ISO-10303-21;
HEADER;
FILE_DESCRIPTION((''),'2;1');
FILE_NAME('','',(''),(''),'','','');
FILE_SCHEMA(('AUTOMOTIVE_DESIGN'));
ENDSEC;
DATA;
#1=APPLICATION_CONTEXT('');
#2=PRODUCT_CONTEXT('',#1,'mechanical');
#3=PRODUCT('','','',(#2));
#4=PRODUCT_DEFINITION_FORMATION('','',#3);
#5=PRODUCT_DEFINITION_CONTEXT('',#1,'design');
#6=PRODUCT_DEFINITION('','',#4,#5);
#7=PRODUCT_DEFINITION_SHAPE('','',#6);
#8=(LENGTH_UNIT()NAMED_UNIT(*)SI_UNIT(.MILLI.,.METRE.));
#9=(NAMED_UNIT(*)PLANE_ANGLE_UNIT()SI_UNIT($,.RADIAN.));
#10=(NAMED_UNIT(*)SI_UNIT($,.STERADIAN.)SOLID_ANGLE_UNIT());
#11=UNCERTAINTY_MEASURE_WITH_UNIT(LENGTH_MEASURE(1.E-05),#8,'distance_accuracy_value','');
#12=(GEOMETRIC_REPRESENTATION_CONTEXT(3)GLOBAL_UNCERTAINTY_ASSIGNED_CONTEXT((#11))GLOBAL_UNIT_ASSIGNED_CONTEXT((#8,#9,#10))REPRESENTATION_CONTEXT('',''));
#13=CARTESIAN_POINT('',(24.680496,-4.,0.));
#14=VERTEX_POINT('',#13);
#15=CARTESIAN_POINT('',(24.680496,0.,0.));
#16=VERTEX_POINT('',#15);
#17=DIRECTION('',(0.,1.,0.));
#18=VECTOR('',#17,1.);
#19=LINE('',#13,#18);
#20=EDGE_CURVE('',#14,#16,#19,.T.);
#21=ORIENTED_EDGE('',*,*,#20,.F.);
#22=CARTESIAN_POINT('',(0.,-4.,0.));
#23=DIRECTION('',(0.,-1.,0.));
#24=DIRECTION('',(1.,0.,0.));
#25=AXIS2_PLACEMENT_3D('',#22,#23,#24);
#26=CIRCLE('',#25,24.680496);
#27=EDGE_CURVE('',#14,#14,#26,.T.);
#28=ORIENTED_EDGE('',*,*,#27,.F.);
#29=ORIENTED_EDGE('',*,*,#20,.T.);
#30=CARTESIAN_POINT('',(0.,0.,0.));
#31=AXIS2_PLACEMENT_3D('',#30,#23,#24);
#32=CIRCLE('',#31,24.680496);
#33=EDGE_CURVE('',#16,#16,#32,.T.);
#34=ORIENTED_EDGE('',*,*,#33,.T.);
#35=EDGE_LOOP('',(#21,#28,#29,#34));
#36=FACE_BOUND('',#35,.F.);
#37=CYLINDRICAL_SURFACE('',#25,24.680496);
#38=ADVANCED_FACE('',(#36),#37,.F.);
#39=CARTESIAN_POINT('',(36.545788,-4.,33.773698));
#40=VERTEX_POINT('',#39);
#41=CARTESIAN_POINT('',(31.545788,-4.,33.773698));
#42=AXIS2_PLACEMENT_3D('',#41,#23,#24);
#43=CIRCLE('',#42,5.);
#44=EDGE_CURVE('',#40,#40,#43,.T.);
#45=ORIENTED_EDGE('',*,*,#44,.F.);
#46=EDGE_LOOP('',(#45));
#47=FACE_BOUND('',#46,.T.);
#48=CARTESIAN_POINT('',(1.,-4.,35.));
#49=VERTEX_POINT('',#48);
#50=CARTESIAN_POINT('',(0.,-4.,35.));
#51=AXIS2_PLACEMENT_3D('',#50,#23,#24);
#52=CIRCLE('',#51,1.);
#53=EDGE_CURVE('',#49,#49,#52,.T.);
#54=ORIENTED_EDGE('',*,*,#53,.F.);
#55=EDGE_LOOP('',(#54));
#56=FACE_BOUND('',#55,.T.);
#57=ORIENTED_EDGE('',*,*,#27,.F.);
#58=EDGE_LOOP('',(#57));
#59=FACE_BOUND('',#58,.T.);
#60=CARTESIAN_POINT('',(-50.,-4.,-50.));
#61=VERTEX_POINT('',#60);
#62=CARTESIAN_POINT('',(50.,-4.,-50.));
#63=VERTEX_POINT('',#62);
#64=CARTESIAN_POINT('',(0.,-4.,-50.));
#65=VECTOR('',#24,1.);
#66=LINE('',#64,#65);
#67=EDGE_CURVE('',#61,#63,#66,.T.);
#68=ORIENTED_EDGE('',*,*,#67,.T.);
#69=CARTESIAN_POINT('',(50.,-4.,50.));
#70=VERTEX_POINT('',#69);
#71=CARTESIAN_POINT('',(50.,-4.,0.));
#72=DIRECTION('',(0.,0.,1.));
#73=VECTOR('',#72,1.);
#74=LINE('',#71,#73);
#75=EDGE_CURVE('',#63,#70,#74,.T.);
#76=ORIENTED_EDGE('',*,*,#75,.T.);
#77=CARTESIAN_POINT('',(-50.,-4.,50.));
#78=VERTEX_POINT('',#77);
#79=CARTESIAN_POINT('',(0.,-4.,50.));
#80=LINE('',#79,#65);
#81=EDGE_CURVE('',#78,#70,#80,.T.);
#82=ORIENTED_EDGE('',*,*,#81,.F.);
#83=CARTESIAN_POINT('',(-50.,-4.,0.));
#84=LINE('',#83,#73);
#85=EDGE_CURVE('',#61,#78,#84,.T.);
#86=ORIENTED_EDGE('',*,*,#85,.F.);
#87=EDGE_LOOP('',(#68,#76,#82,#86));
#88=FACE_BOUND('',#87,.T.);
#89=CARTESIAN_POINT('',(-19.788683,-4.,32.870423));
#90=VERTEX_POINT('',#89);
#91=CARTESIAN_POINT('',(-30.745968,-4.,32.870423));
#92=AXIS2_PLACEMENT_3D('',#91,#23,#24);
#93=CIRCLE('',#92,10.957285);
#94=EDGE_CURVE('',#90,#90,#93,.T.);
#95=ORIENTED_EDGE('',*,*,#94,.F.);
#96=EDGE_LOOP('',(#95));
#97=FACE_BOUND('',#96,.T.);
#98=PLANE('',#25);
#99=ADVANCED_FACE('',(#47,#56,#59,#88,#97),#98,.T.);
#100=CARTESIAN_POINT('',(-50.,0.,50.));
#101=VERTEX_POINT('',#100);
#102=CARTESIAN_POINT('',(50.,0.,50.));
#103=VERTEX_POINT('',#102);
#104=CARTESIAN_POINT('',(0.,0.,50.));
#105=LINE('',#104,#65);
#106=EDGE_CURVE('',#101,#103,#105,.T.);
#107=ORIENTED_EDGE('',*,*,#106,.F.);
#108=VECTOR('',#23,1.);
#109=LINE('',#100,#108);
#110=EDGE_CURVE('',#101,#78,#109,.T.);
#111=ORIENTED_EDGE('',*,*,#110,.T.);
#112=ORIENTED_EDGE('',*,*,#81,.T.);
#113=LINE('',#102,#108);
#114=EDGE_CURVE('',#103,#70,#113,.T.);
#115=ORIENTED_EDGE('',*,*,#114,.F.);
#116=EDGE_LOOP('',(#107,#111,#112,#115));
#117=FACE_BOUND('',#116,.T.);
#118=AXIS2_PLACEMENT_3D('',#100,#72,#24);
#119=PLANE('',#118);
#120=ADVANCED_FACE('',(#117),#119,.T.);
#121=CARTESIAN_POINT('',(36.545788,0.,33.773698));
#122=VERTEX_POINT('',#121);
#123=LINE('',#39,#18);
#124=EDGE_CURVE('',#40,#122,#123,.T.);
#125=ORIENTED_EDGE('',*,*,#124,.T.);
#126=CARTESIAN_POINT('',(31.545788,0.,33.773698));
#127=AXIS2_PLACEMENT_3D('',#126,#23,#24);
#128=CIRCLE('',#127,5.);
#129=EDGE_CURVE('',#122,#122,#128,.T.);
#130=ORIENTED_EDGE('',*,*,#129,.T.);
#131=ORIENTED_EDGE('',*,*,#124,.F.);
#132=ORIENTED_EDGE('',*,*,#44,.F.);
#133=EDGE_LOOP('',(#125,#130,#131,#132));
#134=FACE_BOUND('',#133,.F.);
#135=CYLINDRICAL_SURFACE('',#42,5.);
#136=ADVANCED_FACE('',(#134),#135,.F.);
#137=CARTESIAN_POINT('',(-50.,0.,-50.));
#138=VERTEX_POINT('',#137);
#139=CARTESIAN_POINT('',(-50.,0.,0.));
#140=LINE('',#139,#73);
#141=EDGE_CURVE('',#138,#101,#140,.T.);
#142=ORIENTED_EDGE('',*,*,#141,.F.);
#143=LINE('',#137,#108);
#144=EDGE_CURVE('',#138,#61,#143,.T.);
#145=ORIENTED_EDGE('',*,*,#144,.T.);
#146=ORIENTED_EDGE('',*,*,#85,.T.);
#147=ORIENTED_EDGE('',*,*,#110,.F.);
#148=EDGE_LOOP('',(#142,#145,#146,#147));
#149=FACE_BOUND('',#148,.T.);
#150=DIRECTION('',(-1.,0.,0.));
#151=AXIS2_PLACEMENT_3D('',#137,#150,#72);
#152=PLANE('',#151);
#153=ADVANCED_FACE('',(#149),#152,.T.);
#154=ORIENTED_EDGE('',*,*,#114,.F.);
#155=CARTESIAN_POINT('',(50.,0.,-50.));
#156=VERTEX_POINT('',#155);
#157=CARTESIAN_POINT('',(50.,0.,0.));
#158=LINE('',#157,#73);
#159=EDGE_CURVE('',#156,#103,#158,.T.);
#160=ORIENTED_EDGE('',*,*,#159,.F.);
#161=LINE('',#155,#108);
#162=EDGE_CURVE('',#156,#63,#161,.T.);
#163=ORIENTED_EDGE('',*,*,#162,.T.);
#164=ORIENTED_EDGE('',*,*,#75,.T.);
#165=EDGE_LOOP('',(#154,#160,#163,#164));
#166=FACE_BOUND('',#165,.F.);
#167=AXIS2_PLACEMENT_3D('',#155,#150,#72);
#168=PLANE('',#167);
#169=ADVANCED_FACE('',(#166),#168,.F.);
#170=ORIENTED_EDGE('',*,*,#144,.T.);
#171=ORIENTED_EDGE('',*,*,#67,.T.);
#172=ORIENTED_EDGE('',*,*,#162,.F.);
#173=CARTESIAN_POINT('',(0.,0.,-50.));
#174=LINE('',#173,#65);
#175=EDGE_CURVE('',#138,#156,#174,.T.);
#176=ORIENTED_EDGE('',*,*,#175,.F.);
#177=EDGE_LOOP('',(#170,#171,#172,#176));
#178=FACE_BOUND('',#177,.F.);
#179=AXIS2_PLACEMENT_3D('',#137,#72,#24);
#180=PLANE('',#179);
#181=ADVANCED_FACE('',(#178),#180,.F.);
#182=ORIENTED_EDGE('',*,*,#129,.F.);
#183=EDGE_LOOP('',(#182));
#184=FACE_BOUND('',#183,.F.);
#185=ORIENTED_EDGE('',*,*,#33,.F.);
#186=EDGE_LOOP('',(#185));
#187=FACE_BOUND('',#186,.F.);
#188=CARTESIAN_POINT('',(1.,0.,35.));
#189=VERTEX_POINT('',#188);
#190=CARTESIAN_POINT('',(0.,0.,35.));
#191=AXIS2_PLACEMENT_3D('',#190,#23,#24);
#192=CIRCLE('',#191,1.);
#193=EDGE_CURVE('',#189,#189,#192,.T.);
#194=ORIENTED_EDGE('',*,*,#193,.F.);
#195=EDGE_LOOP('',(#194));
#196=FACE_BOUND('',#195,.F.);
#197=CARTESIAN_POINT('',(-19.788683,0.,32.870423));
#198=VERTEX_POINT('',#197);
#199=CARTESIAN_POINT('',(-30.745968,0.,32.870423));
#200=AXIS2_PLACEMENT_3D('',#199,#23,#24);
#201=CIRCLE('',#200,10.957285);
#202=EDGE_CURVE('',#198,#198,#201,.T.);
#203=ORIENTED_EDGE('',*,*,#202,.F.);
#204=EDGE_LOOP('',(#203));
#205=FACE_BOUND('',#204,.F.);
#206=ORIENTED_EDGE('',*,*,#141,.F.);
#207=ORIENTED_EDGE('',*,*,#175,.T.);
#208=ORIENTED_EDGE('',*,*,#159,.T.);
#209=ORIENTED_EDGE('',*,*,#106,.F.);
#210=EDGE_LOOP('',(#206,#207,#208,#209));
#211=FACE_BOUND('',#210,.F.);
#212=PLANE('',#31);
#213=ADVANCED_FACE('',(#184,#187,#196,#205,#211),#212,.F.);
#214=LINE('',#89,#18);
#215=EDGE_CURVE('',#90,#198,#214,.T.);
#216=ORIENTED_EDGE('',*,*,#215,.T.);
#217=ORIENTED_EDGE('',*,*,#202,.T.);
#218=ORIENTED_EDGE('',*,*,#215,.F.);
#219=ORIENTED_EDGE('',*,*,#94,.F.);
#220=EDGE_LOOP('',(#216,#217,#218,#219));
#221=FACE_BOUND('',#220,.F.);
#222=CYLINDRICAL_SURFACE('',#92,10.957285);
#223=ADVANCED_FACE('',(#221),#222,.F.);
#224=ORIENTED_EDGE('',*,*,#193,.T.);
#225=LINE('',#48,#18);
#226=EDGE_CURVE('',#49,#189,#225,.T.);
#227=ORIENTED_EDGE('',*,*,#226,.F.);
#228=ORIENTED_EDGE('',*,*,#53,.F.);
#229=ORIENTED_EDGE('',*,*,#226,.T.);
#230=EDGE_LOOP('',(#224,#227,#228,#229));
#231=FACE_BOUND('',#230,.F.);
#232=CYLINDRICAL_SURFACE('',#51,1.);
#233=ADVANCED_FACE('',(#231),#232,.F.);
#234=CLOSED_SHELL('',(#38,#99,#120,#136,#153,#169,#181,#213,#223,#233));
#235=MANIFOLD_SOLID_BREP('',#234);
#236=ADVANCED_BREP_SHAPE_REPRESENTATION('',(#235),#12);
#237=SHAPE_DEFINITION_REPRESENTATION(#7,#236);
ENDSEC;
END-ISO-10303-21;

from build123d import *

# Parameters (mm, degrees)
F0_W     = 100
F0_H     = 100
F1_DEPTH = 4
F2_R     = 24.680496
F3_DEPTH = 25
F4_R     = 5
F5_DEPTH = 25
F6_R     = 10.957285
F7_DEPTH = 25
F8_R     = 1
F9_DEPTH = 4.001


with BuildPart() as f1:
    # F0 (on Front) → F1 (new body)
    with BuildSketch(Plane.XZ):
        Rectangle(F0_W, F0_H)
    extrude(amount=F1_DEPTH)

    # F2 (on face) → F3 (cut)
    with BuildSketch(Plane.XZ.offset(4)):
        Circle(F2_R)
    extrude(amount=-F3_DEPTH, mode=Mode.SUBTRACT)

    # F4 (on face) → F5 (cut)
    with BuildSketch(Plane.XZ.offset(4)):
        with Locations((31.545788, 33.773698)):
            Circle(F4_R)
    extrude(amount=-F5_DEPTH, mode=Mode.SUBTRACT)

    # F6 (on face) → F7 (cut)
    with BuildSketch(Plane.XZ.offset(4)):
        with Locations((-30.745968, 32.870423)):
            Circle(F6_R)
    extrude(amount=-F7_DEPTH, mode=Mode.SUBTRACT)

    # F8 (on face) → F9 (cut, through all)
    with BuildSketch(Plane.XZ.offset(4)):
        with Locations((0, 35)):
            Circle(F8_R)
    extrude(amount=-F9_DEPTH, mode=Mode.SUBTRACT)


solid = f1.part
